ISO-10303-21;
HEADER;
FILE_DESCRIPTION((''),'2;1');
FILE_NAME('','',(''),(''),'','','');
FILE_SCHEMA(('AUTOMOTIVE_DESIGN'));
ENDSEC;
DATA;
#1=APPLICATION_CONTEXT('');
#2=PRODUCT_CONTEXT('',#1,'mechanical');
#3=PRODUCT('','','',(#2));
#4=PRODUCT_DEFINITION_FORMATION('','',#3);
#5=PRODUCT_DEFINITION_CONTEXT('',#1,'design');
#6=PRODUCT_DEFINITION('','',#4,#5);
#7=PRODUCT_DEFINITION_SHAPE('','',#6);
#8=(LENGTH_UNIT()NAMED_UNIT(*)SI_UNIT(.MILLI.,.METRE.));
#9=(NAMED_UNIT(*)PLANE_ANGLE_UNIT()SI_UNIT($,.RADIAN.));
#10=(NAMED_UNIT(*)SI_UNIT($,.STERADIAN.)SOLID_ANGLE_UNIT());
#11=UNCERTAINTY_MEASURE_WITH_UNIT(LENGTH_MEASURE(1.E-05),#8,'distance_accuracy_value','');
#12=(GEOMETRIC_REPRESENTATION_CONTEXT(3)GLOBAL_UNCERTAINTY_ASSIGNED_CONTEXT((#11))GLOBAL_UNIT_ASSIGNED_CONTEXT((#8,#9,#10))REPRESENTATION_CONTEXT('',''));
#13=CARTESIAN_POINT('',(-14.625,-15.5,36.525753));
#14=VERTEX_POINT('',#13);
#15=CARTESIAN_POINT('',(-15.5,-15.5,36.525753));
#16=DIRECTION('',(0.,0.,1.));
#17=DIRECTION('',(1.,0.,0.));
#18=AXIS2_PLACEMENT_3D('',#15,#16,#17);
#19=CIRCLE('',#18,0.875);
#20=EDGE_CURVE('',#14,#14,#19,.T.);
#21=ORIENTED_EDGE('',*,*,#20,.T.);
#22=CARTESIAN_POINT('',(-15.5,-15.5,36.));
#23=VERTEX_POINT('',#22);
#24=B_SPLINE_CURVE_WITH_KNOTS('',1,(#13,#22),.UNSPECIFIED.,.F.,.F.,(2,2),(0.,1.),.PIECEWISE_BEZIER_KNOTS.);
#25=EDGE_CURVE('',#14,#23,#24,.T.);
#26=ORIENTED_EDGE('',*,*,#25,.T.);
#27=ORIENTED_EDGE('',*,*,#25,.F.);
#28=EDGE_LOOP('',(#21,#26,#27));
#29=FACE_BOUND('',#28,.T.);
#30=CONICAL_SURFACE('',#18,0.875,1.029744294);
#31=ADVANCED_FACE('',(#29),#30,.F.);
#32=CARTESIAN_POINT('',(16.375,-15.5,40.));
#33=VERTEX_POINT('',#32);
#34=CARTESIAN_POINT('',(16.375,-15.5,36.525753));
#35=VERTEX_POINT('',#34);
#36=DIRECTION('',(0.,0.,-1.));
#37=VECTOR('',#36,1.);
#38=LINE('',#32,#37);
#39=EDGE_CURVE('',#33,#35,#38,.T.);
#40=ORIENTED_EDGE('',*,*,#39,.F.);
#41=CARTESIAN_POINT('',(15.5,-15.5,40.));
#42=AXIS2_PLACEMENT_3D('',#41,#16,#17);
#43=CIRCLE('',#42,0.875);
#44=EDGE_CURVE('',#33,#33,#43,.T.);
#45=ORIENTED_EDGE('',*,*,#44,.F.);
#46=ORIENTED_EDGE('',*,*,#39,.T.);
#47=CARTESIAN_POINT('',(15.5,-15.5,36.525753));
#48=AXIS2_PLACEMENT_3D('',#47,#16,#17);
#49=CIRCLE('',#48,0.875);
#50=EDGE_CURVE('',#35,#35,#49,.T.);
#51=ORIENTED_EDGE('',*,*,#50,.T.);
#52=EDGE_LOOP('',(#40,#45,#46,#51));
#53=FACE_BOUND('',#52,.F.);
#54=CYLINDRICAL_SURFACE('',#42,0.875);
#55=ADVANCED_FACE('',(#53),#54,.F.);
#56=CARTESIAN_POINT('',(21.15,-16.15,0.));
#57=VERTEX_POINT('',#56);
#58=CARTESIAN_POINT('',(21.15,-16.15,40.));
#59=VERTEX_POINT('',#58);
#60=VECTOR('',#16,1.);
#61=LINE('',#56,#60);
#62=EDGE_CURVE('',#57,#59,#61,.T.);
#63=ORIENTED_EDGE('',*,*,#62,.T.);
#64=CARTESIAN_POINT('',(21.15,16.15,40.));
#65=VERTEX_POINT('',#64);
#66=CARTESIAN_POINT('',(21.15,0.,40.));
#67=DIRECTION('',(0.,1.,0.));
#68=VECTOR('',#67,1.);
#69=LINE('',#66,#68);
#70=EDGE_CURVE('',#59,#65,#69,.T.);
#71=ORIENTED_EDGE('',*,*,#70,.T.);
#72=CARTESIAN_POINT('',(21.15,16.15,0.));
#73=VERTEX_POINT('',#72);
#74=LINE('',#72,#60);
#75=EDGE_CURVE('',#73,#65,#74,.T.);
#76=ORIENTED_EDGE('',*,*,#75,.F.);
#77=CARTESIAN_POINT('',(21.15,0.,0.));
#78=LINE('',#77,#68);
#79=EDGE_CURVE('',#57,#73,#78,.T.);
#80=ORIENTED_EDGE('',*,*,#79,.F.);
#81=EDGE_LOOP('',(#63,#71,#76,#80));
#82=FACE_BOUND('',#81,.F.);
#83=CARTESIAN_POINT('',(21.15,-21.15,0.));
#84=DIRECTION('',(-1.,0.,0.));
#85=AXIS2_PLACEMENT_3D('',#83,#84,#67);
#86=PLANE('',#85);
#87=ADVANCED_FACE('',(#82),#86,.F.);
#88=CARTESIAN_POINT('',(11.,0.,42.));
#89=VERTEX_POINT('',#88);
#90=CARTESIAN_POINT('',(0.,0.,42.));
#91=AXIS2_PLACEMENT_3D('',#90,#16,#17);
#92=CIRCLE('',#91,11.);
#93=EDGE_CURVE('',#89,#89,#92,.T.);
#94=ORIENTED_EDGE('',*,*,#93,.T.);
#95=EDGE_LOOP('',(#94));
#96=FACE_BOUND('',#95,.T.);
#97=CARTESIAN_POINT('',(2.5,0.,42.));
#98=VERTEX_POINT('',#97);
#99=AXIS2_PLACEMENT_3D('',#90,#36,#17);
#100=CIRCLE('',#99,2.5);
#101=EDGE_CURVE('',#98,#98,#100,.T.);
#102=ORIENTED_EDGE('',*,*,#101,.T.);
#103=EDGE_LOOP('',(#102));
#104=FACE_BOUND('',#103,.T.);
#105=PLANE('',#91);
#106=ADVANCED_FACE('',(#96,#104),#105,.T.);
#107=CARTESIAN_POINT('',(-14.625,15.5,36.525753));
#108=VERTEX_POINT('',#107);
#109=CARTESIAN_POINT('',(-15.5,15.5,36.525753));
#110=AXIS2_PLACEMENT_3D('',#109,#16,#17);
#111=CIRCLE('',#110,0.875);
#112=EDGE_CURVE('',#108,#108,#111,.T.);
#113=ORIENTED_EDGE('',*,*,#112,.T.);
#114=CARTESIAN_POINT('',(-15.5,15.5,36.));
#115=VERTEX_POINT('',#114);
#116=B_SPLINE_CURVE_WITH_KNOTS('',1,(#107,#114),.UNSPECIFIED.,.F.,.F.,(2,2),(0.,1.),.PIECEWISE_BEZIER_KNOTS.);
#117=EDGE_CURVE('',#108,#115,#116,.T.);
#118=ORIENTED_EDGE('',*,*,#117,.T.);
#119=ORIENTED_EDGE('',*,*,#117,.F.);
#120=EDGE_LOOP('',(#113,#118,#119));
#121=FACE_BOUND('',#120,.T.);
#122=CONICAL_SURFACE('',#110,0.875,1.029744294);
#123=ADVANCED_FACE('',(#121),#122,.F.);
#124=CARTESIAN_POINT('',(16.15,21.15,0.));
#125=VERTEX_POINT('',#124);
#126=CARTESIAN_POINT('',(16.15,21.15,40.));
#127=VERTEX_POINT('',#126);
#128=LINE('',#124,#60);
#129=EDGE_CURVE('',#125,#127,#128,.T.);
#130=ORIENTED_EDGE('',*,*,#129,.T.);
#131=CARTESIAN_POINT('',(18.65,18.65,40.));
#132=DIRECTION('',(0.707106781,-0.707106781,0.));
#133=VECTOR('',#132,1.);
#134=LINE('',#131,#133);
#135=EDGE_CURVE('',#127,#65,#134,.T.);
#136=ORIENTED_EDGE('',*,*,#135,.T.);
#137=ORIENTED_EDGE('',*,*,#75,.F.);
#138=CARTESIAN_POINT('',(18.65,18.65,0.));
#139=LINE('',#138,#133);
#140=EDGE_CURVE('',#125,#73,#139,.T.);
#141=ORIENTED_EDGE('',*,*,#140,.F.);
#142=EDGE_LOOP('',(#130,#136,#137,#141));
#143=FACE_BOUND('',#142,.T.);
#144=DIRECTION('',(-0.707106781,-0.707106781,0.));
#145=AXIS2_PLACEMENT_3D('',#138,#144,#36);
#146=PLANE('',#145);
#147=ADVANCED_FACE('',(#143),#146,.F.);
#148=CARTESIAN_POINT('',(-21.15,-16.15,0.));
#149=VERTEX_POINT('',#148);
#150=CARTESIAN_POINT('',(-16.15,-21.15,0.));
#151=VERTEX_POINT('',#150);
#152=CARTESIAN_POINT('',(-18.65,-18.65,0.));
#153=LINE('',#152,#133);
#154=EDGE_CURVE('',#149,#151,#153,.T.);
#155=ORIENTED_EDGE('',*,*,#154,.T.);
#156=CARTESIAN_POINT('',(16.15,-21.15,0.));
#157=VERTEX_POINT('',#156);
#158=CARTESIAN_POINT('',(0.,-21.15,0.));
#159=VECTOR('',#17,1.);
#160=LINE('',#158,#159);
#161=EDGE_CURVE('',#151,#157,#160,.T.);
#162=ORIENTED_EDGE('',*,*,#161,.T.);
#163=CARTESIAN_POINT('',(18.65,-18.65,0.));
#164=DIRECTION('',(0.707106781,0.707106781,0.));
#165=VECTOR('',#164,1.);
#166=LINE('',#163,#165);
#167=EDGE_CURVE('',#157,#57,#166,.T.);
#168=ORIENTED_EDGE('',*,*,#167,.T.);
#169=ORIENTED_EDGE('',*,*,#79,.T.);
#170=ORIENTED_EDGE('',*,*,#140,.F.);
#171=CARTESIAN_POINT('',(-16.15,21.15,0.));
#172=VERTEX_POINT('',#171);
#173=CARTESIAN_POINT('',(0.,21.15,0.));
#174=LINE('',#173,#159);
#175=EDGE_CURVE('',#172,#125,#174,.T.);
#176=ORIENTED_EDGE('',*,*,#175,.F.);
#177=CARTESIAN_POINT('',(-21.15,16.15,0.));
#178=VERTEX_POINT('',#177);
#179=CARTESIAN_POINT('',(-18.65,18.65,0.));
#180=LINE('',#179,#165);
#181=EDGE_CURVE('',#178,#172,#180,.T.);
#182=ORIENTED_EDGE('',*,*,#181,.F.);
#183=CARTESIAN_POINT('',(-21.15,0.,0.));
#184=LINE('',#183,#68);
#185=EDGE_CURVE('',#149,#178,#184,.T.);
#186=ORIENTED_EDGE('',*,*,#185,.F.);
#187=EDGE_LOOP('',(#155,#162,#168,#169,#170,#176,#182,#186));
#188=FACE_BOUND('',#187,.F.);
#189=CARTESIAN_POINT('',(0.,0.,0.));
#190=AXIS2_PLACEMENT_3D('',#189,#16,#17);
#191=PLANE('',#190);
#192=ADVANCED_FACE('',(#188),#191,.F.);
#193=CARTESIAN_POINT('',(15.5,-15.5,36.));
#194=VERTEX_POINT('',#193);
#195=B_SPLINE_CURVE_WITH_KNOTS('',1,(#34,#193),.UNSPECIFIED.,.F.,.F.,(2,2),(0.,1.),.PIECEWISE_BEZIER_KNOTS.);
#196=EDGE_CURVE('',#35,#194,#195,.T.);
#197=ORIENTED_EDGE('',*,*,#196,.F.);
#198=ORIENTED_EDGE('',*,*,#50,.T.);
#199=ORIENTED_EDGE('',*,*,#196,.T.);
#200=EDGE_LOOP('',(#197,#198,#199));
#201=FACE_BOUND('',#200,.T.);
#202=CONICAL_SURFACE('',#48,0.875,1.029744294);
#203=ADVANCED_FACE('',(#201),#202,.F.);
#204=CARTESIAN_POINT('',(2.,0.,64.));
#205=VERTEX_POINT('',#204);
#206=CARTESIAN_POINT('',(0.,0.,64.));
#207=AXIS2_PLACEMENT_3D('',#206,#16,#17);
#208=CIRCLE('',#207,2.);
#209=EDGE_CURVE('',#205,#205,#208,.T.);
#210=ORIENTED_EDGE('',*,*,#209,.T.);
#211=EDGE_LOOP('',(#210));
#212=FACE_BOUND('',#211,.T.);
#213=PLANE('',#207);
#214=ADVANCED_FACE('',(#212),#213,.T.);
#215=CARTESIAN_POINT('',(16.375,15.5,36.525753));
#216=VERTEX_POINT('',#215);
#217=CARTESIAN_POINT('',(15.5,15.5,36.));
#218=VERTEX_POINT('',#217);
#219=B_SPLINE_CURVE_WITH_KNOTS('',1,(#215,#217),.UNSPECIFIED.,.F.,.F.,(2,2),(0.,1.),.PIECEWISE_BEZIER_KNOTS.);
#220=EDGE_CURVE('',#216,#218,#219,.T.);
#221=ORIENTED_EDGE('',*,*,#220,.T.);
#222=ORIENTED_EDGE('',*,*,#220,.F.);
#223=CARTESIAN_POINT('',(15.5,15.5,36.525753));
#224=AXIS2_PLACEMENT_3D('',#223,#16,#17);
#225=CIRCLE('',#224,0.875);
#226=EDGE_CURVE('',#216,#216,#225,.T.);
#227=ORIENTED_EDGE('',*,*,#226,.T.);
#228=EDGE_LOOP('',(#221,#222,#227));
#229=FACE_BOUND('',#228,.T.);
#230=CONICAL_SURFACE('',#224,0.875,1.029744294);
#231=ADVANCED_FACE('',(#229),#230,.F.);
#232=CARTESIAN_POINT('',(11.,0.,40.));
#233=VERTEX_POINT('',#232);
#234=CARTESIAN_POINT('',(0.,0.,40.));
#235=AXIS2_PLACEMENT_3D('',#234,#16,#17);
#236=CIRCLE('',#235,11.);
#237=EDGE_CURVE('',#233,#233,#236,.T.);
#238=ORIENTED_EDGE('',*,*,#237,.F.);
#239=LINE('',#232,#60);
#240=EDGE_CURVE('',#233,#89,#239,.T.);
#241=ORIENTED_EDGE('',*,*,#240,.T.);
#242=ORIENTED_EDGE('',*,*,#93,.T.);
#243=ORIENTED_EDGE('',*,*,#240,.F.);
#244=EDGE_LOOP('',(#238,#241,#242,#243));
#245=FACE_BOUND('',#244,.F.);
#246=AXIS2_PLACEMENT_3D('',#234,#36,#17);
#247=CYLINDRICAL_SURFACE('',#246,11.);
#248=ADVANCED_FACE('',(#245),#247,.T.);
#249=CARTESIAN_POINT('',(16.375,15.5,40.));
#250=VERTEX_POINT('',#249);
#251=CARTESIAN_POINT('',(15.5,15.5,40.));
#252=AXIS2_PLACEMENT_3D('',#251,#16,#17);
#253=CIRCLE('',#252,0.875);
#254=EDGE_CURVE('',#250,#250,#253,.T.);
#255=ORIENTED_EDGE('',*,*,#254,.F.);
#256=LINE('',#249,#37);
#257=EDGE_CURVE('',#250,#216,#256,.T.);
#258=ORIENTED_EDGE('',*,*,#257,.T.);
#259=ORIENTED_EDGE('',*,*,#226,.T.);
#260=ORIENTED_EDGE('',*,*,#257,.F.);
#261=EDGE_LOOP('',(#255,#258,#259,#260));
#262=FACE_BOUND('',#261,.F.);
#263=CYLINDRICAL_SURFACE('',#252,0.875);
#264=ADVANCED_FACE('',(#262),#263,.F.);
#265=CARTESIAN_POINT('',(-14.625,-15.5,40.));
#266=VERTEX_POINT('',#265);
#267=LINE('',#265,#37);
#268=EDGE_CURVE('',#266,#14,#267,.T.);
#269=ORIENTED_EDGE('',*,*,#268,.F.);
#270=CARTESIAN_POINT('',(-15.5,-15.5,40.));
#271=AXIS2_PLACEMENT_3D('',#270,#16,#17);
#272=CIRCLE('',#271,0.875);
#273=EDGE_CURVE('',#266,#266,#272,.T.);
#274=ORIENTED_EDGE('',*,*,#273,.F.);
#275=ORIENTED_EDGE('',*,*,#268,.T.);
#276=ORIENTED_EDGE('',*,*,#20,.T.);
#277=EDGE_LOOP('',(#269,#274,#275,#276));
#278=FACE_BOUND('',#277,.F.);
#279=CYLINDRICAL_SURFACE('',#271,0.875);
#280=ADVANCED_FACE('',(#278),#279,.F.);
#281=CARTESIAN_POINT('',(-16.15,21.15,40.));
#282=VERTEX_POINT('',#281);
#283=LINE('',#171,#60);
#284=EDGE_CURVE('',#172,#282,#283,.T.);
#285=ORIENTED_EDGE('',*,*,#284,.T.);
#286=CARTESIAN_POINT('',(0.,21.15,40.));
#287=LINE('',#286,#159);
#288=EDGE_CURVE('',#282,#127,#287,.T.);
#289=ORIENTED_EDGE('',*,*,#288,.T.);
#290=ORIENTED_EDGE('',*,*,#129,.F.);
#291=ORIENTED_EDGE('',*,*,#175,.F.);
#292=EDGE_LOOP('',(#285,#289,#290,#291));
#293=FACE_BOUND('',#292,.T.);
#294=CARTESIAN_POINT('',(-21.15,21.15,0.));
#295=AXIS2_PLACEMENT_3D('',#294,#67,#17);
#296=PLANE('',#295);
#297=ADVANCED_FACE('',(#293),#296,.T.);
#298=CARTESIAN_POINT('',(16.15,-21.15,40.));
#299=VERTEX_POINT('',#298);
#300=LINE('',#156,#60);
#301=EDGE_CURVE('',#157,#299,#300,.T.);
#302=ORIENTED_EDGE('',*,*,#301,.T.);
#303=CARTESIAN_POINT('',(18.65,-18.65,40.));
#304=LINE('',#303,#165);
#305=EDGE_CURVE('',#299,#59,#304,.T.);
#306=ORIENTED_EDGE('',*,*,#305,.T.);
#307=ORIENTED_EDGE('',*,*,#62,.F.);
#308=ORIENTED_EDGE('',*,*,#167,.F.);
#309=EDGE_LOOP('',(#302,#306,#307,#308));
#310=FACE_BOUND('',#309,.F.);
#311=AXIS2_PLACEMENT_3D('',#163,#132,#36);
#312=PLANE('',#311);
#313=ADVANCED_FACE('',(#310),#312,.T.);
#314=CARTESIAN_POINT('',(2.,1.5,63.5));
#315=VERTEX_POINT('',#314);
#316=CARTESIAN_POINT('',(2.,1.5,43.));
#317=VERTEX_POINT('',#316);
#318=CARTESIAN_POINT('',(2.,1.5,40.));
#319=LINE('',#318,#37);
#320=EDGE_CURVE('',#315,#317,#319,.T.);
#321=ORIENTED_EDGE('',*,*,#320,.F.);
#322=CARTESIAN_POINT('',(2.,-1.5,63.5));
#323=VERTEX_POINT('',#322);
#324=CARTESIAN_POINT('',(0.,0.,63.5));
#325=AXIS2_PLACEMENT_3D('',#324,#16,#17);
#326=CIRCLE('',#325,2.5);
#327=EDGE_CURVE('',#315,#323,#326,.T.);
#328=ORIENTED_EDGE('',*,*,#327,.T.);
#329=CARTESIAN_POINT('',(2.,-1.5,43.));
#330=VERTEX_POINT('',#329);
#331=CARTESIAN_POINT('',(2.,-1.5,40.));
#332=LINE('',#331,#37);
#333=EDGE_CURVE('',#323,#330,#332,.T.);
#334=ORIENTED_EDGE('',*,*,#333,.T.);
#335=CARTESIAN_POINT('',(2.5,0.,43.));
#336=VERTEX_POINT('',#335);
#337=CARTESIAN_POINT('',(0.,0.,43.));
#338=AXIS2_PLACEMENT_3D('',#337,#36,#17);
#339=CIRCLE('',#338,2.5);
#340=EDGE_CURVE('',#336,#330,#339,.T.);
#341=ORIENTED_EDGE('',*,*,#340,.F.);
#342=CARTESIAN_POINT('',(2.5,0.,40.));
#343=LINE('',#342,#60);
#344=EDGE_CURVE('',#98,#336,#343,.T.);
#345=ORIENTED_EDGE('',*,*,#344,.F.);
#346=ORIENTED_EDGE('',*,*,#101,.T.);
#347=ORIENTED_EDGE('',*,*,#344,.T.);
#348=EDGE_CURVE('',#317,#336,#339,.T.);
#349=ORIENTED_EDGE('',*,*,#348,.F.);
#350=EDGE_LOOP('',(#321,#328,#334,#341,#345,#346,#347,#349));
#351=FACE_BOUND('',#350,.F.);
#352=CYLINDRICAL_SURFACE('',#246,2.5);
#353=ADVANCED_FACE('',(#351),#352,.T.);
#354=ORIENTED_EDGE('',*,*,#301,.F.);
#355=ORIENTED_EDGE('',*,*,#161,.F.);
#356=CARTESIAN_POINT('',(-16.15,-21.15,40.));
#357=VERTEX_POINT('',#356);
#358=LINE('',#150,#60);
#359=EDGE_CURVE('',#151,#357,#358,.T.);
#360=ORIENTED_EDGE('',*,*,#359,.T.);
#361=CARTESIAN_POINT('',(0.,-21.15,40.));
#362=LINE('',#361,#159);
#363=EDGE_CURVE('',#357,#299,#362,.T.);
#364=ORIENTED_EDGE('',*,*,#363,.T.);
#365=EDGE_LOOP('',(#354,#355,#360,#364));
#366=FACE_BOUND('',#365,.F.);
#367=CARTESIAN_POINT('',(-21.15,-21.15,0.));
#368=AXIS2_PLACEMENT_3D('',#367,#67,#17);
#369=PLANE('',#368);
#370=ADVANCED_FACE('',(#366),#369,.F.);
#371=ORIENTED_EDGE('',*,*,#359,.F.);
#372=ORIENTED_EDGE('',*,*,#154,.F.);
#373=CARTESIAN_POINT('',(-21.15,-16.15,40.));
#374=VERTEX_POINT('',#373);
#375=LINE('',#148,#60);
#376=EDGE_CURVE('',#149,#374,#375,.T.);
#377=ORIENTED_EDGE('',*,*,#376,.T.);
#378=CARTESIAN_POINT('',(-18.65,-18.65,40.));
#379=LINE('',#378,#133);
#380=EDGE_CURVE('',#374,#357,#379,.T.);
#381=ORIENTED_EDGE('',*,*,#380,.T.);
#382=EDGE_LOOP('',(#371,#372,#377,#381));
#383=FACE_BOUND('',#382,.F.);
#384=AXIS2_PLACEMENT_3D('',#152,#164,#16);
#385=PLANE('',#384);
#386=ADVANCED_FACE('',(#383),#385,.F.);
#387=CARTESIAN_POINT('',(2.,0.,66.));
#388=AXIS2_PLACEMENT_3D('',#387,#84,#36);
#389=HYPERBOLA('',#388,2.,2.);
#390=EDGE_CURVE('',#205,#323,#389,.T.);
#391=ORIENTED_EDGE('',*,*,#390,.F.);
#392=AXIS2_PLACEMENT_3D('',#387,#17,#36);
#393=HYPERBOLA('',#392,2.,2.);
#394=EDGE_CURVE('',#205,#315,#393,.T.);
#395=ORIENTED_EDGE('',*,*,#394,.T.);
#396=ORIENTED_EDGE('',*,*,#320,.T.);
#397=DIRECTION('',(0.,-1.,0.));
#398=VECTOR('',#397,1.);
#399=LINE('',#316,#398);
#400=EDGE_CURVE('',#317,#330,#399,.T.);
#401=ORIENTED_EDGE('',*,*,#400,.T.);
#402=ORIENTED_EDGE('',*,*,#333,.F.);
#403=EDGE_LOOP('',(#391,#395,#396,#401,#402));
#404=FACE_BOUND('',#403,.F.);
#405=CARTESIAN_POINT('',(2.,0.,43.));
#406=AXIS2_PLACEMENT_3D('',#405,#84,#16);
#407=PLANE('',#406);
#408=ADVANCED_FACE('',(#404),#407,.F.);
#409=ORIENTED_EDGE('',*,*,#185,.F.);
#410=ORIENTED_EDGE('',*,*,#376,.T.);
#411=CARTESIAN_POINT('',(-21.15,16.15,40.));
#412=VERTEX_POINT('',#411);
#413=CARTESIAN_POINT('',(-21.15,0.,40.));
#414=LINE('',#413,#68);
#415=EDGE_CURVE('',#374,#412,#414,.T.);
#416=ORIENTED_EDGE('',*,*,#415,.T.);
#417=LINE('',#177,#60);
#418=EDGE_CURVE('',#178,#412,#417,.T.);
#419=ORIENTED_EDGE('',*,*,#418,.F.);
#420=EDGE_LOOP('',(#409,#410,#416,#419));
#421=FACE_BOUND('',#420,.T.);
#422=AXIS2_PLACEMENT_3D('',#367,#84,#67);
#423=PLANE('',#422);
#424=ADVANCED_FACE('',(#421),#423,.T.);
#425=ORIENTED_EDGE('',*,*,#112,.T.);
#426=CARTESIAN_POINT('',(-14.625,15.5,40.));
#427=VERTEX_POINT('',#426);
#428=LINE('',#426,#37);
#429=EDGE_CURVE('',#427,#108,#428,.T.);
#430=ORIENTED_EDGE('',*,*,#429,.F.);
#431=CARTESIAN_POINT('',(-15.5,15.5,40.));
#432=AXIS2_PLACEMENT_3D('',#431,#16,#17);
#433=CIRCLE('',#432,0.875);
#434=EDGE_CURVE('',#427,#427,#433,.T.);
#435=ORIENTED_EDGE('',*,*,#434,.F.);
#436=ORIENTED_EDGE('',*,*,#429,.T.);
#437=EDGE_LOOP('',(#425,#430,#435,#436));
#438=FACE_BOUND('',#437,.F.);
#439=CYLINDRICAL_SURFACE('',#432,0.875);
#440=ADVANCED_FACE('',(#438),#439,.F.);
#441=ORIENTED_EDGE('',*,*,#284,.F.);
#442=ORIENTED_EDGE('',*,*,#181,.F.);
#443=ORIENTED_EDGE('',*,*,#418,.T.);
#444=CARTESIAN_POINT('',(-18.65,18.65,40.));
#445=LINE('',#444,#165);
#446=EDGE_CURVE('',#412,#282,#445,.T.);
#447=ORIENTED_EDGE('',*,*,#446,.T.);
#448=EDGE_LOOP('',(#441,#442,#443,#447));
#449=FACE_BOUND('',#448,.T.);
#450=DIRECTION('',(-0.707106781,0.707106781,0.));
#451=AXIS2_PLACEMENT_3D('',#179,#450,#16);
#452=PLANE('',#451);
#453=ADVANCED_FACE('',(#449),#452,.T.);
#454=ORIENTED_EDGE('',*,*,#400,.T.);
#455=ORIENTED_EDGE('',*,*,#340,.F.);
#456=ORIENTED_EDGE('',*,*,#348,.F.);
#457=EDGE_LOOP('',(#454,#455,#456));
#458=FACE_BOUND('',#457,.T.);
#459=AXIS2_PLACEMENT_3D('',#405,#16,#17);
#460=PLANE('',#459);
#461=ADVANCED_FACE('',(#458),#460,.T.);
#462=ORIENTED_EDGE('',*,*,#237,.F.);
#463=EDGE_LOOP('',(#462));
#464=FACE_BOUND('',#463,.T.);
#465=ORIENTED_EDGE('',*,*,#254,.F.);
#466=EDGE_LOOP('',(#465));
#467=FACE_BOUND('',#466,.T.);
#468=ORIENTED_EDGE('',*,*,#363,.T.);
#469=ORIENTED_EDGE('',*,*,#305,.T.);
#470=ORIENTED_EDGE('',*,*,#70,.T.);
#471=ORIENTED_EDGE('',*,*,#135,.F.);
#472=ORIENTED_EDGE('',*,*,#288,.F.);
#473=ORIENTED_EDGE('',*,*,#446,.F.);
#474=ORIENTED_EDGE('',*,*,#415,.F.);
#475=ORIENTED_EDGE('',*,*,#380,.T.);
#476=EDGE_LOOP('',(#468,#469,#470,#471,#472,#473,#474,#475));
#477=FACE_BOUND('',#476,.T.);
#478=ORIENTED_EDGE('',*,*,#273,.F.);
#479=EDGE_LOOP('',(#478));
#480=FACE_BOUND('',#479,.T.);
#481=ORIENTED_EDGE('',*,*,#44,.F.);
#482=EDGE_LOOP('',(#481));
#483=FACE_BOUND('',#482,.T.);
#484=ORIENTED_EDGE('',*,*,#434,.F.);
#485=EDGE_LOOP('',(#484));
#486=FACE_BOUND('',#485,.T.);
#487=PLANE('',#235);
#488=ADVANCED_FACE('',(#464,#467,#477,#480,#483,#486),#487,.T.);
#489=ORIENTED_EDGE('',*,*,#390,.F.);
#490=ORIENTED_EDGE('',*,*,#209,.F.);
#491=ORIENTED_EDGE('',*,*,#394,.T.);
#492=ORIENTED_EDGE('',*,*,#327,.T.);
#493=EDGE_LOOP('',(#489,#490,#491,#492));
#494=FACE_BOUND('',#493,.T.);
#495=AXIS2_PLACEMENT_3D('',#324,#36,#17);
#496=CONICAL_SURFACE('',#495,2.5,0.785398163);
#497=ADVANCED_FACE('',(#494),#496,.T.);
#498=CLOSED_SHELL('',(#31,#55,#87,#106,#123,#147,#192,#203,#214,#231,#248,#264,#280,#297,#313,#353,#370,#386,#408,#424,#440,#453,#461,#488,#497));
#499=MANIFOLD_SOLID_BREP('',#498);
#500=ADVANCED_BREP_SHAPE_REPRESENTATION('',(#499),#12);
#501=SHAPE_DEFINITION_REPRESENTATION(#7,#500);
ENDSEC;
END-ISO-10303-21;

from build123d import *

# Parameters (mm, degrees)
SKETCH_W          = 42.3
SKETCH_H          = 42.3
PAD_DEPTH         = 40
SKETCH001_R       = 11
PAD001_DEPTH      = 2
SKETCH002_R       = 2.5
PAD002_DEPTH      = 24
CHAMFER_SIZE      = 0.5
SKETCH003_W       = 0.5
SKETCH003_H       = 21
POCKET_DEPTH      = 21.151
POCKET_DEPTH_BACK = 21.151
SKETCH004_R       = 0.875
HOLE_DEPTH        = 3.474247
HOLE_TIPS_R       = 0.875
CHAMFER001_SIZE   = 5


with BuildPart() as part:
    # Sketch → Pad (new body)
    with BuildSketch(Plane.XY):
        Rectangle(SKETCH_W, SKETCH_H)
    extrude(amount=PAD_DEPTH)

    # Sketch001 (on Face6 of Pad) → Pad001 (join)
    with BuildSketch(Plane.XY.offset(40)):
        Circle(SKETCH001_R)
    extrude(amount=PAD001_DEPTH)

    # Sketch002 (on Face5 of Pad001) → Pad002 (join)
    with BuildSketch(Plane.XY.offset(40)):
        Circle(SKETCH002_R)
    extrude(amount=PAD002_DEPTH)

    # Chamfer
    chamfer_edges = [part.edges().sort_by_distance(p)[0] for p in [
        (-2.5, 0, 64),
    ]]
    chamfer(chamfer_edges, length=CHAMFER_SIZE)

    # Sketch003 → Pocket (cut, two sides)
    with BuildSketch(Plane.XZ) as pocket_sk:
        with Locations((2.25, 53.5)):
            Rectangle(SKETCH003_W, SKETCH003_H)
    extrude(amount=-POCKET_DEPTH, mode=Mode.SUBTRACT)
    extrude(pocket_sk.sketch, amount=POCKET_DEPTH_BACK, mode=Mode.SUBTRACT)

    # Sketch004 (on Face8 of Pocket) → Hole (cut)
    with BuildSketch(Plane.XY.offset(40)):
        with Locations((15.5, -15.5)):
            Circle(SKETCH004_R)
        with Locations((15.5, 15.5)):
            Circle(SKETCH004_R)
        with Locations((-15.5, 15.5)):
            Circle(SKETCH004_R)
        with Locations((-15.5, -15.5)):
            Circle(SKETCH004_R)
    extrude(amount=-HOLE_DEPTH, mode=Mode.SUBTRACT)

    # Hole tips → Hole tip 1 section 0
    with BuildSketch(Plane.XY.offset(36.525753), mode=Mode.PRIVATE) as hole_tip_1_s0:
        with Locations((15.5, -15.5)):
            Circle(HOLE_TIPS_R)
    loft([hole_tip_1_s0.sketch, Vertex(15.5, -15.5, 36)], mode=Mode.SUBTRACT)

    # Hole tips → Hole tip 2 section 0
    with BuildSketch(Plane.XY.offset(36.525753), mode=Mode.PRIVATE) as hole_tip_2_s0:
        with Locations((15.5, 15.5)):
            Circle(HOLE_TIPS_R)
    loft([hole_tip_2_s0.sketch, Vertex(15.5, 15.5, 36)], mode=Mode.SUBTRACT)

    # Hole tips → Hole tip 3 section 0
    with BuildSketch(Plane.XY.offset(36.525753), mode=Mode.PRIVATE) as hole_tip_3_s0:
        with Locations((-15.5, 15.5)):
            Circle(HOLE_TIPS_R)
    loft([hole_tip_3_s0.sketch, Vertex(-15.5, 15.5, 36)], mode=Mode.SUBTRACT)

    # Hole tips → Hole tip 4 section 0
    with BuildSketch(Plane.XY.offset(36.525753), mode=Mode.PRIVATE) as hole_tip_4_s0:
        with Locations((-15.5, -15.5)):
            Circle(HOLE_TIPS_R)
    loft([hole_tip_4_s0.sketch, Vertex(-15.5, -15.5, 36)], mode=Mode.SUBTRACT)

    # Chamfer001
    chamfer001_edges = [part.edges().sort_by_distance(p)[0] for p in [
        (21.15, -21.15, 20),
        (21.15, 21.15, 20),
        (-21.15, -21.15, 20),
        (-21.15, 21.15, 20),
    ]]
    chamfer(chamfer001_edges, length=CHAMFER001_SIZE)


solid = part.part
